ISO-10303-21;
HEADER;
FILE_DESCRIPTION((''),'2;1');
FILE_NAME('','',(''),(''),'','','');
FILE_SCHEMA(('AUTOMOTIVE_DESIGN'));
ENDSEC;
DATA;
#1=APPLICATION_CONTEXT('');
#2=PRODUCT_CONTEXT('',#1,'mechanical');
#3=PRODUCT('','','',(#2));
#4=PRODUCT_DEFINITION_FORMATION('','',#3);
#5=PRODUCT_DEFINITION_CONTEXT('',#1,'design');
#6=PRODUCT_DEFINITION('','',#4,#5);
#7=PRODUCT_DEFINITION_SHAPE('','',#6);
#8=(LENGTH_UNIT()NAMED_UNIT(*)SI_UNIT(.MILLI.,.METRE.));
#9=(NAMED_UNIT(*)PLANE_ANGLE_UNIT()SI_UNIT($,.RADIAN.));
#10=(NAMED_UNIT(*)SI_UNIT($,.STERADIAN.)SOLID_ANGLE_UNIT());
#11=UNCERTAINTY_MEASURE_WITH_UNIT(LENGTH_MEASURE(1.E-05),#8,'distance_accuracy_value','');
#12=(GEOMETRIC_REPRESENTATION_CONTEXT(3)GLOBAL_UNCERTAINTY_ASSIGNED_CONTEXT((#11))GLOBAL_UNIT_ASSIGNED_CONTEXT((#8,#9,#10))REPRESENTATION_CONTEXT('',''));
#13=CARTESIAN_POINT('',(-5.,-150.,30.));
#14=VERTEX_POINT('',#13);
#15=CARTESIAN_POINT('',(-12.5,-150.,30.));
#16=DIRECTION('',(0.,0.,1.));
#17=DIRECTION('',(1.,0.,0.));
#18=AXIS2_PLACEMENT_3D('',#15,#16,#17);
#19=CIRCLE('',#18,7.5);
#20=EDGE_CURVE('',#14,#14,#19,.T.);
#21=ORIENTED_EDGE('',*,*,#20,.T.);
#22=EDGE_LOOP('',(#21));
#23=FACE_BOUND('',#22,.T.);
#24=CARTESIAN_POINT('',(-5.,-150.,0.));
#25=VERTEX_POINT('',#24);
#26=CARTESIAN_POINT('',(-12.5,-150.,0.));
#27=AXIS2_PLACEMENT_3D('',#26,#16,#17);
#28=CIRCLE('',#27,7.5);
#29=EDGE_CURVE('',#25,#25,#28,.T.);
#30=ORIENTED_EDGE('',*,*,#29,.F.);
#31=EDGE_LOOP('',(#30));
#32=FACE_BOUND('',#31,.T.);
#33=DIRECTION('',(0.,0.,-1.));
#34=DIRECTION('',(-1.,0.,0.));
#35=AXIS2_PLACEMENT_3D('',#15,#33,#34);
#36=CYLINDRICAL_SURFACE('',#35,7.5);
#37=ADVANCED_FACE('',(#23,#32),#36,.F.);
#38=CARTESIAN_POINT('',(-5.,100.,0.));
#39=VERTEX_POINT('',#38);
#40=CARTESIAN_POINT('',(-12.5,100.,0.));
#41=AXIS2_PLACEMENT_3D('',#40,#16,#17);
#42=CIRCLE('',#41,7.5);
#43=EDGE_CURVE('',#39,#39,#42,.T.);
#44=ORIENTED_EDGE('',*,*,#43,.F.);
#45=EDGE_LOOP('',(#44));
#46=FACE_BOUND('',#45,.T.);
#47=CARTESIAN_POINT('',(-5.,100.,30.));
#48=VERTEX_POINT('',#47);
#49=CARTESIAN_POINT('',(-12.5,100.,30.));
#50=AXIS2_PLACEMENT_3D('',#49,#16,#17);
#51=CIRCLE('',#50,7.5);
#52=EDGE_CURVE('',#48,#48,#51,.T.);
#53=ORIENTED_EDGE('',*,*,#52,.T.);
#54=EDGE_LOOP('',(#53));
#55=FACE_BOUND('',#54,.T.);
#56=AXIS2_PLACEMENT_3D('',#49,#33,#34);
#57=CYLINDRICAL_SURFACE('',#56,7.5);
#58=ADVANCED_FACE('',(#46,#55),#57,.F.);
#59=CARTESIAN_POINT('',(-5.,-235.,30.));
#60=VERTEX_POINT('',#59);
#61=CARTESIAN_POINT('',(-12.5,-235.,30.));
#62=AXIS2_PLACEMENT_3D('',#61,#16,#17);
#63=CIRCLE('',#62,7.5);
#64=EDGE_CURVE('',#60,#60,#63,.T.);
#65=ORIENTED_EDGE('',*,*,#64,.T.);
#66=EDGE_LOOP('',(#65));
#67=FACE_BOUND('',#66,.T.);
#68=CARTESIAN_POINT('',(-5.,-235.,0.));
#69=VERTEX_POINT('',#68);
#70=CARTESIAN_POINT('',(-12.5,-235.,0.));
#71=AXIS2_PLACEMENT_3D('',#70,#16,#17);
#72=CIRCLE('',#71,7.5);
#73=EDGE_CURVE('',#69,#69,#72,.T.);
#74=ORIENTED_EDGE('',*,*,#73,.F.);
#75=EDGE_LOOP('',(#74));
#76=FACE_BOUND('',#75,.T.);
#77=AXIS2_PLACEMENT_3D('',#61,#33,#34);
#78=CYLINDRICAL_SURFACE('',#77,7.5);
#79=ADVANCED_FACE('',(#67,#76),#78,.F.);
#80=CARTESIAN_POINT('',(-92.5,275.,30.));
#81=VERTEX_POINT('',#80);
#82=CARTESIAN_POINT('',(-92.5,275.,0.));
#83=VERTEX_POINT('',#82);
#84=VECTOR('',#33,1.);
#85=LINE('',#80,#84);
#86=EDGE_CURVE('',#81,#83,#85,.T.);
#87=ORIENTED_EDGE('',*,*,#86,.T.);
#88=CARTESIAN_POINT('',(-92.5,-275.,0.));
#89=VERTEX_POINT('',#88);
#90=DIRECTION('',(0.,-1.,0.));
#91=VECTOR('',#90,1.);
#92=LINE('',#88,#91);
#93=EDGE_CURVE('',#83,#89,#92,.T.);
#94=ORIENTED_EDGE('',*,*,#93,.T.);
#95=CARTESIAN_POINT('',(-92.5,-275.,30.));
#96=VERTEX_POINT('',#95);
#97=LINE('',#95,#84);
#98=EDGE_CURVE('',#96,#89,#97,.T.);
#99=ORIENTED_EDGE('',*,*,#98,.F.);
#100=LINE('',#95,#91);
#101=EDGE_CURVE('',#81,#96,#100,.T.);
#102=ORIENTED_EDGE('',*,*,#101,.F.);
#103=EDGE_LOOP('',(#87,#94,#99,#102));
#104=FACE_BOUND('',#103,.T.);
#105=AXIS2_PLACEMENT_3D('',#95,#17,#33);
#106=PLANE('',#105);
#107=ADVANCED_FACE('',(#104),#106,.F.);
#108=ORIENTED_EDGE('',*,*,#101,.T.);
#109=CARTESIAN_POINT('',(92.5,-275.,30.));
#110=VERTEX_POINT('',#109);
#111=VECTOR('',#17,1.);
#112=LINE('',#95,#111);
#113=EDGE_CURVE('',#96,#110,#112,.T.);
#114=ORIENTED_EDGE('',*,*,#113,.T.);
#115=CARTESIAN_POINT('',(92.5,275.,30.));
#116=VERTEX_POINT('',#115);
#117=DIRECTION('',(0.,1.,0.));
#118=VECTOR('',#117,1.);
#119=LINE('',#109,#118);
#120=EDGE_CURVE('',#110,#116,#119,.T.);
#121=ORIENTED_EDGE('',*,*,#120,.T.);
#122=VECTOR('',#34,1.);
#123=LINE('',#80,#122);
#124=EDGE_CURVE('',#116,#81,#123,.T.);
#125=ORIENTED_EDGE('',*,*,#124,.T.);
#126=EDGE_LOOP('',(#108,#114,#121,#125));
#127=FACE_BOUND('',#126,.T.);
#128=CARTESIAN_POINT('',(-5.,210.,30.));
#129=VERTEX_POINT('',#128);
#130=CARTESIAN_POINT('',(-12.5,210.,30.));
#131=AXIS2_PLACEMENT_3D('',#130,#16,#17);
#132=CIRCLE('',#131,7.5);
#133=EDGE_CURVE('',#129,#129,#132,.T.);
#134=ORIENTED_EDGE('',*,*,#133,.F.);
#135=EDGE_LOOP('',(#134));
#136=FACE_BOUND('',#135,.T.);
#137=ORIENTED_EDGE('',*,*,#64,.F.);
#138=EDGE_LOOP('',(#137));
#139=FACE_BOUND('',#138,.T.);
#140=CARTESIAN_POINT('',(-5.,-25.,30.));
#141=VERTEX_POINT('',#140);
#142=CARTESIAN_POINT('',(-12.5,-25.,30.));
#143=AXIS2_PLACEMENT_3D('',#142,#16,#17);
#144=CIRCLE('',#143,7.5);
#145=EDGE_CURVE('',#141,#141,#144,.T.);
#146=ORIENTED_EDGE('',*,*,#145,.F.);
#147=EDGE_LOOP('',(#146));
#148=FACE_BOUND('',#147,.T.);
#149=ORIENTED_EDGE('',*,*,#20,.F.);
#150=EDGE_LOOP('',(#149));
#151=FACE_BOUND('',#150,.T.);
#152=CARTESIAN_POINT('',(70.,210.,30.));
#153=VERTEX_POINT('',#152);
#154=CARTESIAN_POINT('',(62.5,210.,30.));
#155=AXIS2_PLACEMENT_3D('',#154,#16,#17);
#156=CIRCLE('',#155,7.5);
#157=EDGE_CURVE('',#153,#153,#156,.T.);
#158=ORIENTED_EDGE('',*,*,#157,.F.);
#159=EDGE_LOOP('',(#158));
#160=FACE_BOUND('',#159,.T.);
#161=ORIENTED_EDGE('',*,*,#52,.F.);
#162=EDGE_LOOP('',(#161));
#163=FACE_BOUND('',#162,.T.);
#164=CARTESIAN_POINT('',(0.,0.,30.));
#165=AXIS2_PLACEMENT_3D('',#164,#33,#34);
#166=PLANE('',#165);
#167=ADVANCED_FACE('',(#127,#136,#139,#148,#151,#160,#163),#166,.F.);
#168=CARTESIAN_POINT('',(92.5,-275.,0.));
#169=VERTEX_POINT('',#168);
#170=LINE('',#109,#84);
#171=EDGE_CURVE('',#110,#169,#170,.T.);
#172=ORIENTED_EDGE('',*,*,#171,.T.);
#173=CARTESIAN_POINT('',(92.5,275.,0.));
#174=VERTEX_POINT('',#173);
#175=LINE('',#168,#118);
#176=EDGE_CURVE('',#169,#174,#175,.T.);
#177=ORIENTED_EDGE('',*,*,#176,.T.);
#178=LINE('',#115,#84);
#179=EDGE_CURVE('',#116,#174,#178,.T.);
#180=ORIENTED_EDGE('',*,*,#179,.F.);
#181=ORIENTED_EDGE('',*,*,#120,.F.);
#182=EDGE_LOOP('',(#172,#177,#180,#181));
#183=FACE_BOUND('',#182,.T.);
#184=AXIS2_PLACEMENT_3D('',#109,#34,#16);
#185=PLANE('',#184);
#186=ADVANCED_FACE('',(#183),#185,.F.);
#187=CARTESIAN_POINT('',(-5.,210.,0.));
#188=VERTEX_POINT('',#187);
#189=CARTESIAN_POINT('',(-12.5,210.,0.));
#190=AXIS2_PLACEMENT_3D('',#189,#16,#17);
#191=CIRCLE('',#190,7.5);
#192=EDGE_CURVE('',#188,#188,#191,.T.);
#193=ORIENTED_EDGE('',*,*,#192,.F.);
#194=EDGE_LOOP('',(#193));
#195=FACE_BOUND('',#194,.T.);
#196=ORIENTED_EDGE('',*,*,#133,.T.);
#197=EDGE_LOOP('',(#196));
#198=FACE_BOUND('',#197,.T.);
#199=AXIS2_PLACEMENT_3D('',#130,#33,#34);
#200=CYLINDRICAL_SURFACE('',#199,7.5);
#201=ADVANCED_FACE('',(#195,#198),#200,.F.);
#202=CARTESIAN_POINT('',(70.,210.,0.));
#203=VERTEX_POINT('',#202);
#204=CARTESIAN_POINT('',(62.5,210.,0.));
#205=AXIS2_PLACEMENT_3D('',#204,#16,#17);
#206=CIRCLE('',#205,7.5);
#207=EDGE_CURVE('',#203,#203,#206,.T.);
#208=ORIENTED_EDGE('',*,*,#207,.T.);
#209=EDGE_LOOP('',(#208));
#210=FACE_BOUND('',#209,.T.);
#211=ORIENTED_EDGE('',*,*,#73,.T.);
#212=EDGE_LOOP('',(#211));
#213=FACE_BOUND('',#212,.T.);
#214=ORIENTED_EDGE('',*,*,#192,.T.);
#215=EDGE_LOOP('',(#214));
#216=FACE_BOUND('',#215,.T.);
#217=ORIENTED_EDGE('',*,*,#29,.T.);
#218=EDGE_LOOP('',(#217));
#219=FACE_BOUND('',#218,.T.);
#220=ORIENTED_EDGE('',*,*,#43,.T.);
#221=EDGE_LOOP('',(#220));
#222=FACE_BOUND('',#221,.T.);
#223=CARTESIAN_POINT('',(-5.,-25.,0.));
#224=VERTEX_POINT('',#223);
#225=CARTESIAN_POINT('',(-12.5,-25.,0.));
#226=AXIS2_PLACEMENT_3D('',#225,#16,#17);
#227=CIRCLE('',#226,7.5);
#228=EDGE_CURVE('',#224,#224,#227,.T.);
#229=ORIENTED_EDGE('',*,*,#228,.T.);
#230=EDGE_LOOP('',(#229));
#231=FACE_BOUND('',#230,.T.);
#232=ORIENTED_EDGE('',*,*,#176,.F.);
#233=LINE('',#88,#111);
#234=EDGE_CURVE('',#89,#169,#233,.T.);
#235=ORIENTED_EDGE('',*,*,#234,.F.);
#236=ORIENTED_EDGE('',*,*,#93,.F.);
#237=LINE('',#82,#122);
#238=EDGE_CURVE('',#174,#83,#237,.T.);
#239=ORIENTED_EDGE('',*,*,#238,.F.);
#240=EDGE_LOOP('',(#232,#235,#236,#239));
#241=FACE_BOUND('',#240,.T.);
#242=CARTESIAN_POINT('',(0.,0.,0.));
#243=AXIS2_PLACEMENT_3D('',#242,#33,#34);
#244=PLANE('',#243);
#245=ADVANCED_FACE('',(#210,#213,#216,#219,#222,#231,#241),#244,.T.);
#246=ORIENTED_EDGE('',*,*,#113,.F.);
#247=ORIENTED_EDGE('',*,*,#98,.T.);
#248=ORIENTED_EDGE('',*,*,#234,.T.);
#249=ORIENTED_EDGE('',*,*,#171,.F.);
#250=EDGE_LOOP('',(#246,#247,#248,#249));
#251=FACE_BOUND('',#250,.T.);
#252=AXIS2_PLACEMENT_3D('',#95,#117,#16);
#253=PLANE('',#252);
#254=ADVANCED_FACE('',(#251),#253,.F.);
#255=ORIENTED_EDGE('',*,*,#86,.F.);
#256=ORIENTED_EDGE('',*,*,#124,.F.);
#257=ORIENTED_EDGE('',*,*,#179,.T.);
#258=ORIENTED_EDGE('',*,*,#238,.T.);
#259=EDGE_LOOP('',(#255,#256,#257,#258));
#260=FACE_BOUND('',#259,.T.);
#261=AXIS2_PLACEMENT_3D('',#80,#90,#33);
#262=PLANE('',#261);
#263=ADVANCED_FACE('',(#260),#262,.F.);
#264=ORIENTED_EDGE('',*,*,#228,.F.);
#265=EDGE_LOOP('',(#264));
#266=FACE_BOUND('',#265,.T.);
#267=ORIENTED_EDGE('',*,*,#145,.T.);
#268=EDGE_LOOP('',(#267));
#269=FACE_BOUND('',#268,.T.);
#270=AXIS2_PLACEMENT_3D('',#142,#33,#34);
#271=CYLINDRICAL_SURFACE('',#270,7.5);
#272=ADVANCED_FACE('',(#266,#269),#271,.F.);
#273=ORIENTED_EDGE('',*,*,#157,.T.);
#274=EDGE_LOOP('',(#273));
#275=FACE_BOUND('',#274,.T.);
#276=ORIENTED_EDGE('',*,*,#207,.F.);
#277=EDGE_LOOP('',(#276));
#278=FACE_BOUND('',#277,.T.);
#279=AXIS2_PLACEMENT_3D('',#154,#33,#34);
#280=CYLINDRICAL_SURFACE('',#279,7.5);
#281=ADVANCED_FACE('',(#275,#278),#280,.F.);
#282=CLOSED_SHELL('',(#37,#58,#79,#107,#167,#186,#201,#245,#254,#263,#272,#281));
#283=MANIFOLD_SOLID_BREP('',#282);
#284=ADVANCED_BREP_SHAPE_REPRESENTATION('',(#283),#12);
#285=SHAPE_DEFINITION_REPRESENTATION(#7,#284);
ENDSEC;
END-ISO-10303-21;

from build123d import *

# Parameters (mm, degrees)
SKETCH_1_W      = 185
SKETCH_1_H      = 550
SKETCH_1_R      = 7.5
EXTRUDE_1_DEPTH = 30


with BuildPart() as part:
    # 草图1 → 凸台-拉伸1 (new body)
    with BuildSketch(Plane.XY):
        Rectangle(SKETCH_1_W, SKETCH_1_H)
        with Locations((62.5, 210)):
            Circle(SKETCH_1_R, mode=Mode.SUBTRACT)
        with Locations((-12.5, 210)):
            Circle(SKETCH_1_R, mode=Mode.SUBTRACT)
        with Locations((-12.5, -235)):
            Circle(SKETCH_1_R, mode=Mode.SUBTRACT)
        with Locations((-12.5, -150)):
            Circle(SKETCH_1_R, mode=Mode.SUBTRACT)
        with Locations((-12.5, -25)):
            Circle(SKETCH_1_R, mode=Mode.SUBTRACT)
        with Locations((-12.5, 100)):
            Circle(SKETCH_1_R, mode=Mode.SUBTRACT)
    extrude(amount=EXTRUDE_1_DEPTH)


solid = part.part
